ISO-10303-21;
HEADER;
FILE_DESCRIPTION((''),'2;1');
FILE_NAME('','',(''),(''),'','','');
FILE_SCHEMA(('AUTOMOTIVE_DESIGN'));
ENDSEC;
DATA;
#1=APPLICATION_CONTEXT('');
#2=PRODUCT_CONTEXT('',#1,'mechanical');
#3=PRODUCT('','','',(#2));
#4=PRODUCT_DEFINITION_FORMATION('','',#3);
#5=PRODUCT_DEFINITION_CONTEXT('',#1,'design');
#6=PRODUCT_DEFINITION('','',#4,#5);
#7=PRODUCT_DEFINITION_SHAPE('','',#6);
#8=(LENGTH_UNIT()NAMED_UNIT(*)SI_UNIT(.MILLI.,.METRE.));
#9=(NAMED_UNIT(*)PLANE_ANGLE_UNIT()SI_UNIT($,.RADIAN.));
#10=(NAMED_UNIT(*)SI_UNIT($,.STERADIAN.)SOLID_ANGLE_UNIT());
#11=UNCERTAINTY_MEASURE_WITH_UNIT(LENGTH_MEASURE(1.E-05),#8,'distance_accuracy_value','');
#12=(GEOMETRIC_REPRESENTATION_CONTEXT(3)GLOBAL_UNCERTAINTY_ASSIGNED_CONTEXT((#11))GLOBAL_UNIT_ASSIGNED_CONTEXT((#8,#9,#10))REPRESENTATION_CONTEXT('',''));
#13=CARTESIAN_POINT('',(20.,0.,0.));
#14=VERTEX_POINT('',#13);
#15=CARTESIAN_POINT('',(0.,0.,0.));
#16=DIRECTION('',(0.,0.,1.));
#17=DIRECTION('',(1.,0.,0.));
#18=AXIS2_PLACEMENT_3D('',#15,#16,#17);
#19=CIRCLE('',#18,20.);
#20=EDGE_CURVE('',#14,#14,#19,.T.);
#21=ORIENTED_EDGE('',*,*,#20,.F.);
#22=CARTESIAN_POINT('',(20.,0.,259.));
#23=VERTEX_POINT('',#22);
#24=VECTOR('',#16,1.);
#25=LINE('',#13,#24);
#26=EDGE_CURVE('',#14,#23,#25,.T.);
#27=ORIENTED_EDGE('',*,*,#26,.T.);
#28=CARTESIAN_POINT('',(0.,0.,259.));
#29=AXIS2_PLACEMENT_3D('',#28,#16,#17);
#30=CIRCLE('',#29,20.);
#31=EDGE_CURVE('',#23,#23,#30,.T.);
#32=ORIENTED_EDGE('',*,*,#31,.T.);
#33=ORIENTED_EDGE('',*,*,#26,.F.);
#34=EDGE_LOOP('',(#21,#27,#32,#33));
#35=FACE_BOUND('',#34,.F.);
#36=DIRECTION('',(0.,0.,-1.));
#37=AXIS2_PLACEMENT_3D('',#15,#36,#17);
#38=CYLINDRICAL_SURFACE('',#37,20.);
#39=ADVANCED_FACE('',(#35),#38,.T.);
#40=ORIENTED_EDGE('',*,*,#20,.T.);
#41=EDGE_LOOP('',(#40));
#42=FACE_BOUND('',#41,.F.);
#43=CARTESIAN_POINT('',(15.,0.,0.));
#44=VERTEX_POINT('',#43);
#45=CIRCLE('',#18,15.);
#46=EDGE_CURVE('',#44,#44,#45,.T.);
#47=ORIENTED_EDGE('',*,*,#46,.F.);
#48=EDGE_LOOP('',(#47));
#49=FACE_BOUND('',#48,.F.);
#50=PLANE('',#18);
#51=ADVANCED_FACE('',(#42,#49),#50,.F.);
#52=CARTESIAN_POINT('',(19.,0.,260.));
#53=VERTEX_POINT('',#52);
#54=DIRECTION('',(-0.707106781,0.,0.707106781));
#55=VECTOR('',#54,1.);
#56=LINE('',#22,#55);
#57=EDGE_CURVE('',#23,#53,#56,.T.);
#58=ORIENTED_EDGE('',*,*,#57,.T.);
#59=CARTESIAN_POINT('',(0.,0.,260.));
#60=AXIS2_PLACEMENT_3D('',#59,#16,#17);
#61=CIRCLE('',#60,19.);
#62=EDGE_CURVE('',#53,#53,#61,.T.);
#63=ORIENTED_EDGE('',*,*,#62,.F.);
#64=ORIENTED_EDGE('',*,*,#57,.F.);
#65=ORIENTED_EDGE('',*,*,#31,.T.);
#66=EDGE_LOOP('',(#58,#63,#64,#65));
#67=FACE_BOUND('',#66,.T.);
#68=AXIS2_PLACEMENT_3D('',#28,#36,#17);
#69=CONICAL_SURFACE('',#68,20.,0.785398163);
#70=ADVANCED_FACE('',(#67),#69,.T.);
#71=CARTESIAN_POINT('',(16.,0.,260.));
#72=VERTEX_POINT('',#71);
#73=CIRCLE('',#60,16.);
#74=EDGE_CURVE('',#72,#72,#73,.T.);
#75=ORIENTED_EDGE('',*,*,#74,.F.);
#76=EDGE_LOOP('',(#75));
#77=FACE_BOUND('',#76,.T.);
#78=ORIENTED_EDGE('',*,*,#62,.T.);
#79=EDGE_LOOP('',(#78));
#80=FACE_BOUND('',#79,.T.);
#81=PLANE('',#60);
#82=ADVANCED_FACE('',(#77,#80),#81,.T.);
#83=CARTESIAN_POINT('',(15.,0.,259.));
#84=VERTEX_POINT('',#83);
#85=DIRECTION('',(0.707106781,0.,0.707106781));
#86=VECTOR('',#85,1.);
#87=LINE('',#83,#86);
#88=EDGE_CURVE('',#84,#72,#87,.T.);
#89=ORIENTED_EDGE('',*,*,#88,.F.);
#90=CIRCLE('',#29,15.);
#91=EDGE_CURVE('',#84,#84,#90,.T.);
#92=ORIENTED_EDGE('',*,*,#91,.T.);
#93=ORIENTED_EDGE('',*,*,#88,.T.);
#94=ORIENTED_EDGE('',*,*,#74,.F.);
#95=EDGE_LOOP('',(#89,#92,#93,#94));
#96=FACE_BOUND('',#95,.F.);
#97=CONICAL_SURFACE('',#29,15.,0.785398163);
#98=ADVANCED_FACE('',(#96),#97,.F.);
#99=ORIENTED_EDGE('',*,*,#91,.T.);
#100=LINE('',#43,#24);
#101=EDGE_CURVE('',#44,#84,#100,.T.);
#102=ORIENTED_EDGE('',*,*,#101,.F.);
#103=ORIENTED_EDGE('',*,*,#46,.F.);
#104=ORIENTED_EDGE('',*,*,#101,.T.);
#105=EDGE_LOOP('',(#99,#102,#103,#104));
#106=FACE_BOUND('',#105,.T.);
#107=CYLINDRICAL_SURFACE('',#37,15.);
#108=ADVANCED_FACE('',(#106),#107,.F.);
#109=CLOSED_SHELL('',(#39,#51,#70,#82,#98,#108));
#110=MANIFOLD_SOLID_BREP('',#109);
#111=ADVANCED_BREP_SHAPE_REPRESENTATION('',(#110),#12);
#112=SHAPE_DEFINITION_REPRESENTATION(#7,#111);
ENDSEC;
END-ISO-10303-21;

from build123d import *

# Parameters (mm, degrees)
SKETCH_R     = 20
SKETCH_R_2   = 15
PAD_DEPTH    = 260
CHAMFER_SIZE = 1


with BuildPart() as part:
    # Sketch → Pad (new body)
    with BuildSketch(Plane.XY):
        Circle(SKETCH_R)
        Circle(SKETCH_R_2, mode=Mode.SUBTRACT)
    extrude(amount=PAD_DEPTH)

    # Chamfer
    chamfer_edges = [part.edges().sort_by_distance(p)[0] for p in [
        (-15, 0, 260),
        (-20, 0, 260),
    ]]
    chamfer(chamfer_edges, length=CHAMFER_SIZE)


solid = part.part
